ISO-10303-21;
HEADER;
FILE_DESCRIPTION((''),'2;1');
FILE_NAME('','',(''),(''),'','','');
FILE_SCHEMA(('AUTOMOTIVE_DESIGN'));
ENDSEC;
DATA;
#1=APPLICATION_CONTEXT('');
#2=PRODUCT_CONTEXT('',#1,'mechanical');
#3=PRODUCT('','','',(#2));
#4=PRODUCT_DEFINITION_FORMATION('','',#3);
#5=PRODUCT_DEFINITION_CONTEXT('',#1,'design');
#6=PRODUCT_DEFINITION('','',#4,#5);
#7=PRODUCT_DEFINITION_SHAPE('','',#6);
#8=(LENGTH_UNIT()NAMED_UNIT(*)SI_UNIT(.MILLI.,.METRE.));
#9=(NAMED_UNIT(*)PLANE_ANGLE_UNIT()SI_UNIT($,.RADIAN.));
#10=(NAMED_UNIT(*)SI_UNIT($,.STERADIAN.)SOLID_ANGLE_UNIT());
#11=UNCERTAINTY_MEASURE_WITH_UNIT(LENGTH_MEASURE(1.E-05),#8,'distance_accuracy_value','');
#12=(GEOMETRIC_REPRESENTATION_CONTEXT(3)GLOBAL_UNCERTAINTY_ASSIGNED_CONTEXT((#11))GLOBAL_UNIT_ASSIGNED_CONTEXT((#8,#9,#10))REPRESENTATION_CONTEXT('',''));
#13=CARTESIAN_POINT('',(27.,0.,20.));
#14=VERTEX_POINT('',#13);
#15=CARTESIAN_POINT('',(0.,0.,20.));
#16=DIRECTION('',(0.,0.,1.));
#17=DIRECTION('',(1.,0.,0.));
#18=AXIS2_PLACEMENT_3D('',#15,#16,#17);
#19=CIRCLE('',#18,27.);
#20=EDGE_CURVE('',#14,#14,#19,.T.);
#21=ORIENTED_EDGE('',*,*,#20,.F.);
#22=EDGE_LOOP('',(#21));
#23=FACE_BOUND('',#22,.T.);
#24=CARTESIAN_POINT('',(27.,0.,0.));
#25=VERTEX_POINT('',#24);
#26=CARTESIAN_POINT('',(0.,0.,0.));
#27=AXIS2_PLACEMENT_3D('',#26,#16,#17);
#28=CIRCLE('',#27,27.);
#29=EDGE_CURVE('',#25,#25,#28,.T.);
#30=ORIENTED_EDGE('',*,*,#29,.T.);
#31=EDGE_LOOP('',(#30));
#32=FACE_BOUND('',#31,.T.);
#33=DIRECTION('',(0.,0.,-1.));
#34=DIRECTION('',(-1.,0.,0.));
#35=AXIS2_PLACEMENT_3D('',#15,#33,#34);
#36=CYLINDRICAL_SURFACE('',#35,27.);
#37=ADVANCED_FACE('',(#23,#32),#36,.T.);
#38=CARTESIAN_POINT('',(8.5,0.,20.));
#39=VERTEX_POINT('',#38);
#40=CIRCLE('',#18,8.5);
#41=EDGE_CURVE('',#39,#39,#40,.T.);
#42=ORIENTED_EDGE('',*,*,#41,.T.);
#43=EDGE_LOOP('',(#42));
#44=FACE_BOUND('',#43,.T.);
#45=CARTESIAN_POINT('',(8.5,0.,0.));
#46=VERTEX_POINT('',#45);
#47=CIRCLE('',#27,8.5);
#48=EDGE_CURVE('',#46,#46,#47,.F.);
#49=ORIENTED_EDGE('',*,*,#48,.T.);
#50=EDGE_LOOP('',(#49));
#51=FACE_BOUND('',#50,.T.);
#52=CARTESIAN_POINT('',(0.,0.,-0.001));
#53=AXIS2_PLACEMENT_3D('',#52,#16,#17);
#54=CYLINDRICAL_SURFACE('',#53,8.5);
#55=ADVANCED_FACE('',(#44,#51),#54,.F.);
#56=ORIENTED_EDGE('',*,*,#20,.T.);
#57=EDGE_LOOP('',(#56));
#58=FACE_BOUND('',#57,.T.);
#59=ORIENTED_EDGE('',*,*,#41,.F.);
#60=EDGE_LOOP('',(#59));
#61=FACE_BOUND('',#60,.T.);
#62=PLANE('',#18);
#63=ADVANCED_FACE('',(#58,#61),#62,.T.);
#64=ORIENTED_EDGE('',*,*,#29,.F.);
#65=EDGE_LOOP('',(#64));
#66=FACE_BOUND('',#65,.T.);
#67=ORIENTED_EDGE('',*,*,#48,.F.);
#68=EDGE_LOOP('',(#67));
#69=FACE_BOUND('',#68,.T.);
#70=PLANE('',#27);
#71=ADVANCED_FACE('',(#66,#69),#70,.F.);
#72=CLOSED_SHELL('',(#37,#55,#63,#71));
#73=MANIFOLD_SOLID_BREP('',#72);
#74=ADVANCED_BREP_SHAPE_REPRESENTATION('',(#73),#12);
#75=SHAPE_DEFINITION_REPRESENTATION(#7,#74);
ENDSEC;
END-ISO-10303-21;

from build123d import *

# Parameters (mm, degrees)
SKETCH1_R           = 27
BOSS_EXTRUDE1_DEPTH = 20
CUT_EXTRUDE1_REACH  = 22
SKETCH2_R           = 8.5


with BuildPart() as part:
    # Sketch1 → Boss-Extrude1 (new body)
    with BuildSketch(Plane.XY):
        Circle(SKETCH1_R)
    extrude(amount=BOSS_EXTRUDE1_DEPTH)

    # Sketch2 → Cut-Extrude1 (cut, up to next)
    with BuildSketch(Plane.XY.offset(20), mode=Mode.PRIVATE) as cut_extrude1_sk1:
        Circle(SKETCH2_R)
    cut_extrude1_tool1 = extrude(cut_extrude1_sk1.sketch, amount=-CUT_EXTRUDE1_REACH, mode=Mode.PRIVATE) & part.part
    add(cut_extrude1_tool1.solids().sort_by_distance((0, 0, 20))[0], mode=Mode.SUBTRACT)


solid = part.part
